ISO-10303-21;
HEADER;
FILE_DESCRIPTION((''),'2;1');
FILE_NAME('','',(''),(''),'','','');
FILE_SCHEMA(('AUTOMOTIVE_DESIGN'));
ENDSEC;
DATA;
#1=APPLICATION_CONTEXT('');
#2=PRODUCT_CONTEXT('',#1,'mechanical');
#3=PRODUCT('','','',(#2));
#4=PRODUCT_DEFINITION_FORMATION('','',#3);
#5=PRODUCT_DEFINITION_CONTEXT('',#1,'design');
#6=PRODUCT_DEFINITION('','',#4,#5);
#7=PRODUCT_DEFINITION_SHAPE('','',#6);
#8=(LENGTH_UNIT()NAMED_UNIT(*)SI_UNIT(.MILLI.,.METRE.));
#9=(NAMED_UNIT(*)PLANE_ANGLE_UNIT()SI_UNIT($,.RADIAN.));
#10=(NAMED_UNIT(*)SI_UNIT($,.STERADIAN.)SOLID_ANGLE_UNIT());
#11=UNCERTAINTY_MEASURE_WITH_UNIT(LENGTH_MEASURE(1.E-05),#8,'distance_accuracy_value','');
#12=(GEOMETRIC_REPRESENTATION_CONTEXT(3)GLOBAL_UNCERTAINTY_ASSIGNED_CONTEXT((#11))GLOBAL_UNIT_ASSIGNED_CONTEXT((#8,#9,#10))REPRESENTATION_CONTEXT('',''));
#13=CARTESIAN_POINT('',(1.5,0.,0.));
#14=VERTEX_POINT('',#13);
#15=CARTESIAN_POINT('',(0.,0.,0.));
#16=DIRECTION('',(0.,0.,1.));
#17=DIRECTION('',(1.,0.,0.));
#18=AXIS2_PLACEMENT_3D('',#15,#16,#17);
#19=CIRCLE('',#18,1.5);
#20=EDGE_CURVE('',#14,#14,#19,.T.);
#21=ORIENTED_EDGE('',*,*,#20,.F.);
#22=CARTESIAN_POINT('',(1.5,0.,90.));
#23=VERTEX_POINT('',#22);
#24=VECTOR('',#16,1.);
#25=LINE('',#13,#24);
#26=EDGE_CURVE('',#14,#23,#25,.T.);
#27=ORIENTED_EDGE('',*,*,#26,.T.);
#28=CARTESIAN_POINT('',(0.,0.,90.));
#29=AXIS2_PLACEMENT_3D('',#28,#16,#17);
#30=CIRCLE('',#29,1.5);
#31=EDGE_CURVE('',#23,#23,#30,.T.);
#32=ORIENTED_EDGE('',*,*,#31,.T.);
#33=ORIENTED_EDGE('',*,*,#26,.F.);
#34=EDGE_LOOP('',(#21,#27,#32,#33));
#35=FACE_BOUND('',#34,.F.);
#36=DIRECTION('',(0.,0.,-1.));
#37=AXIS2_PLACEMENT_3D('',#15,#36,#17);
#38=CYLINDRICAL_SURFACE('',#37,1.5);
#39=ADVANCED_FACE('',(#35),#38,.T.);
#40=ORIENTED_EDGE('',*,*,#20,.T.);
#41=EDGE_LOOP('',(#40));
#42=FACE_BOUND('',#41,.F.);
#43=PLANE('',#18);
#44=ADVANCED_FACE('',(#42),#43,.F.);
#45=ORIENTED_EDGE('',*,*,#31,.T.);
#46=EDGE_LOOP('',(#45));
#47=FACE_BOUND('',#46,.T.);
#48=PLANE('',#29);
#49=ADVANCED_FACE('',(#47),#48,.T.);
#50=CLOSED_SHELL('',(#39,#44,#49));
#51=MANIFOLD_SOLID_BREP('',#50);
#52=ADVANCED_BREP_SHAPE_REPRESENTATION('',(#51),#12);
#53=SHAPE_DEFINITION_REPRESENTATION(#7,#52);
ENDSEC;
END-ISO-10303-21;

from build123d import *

# Parameters (mm, degrees)
SZKIC1_R                    = 1.5
DODANIE_WYCI_GNI_CIE1_DEPTH = 90


with BuildPart() as part:
    # Szkic1 → Dodanie-wyciągnięcie1 (new body)
    with BuildSketch(Plane.XY):
        Circle(SZKIC1_R)
    extrude(amount=DODANIE_WYCI_GNI_CIE1_DEPTH)


solid = part.part
